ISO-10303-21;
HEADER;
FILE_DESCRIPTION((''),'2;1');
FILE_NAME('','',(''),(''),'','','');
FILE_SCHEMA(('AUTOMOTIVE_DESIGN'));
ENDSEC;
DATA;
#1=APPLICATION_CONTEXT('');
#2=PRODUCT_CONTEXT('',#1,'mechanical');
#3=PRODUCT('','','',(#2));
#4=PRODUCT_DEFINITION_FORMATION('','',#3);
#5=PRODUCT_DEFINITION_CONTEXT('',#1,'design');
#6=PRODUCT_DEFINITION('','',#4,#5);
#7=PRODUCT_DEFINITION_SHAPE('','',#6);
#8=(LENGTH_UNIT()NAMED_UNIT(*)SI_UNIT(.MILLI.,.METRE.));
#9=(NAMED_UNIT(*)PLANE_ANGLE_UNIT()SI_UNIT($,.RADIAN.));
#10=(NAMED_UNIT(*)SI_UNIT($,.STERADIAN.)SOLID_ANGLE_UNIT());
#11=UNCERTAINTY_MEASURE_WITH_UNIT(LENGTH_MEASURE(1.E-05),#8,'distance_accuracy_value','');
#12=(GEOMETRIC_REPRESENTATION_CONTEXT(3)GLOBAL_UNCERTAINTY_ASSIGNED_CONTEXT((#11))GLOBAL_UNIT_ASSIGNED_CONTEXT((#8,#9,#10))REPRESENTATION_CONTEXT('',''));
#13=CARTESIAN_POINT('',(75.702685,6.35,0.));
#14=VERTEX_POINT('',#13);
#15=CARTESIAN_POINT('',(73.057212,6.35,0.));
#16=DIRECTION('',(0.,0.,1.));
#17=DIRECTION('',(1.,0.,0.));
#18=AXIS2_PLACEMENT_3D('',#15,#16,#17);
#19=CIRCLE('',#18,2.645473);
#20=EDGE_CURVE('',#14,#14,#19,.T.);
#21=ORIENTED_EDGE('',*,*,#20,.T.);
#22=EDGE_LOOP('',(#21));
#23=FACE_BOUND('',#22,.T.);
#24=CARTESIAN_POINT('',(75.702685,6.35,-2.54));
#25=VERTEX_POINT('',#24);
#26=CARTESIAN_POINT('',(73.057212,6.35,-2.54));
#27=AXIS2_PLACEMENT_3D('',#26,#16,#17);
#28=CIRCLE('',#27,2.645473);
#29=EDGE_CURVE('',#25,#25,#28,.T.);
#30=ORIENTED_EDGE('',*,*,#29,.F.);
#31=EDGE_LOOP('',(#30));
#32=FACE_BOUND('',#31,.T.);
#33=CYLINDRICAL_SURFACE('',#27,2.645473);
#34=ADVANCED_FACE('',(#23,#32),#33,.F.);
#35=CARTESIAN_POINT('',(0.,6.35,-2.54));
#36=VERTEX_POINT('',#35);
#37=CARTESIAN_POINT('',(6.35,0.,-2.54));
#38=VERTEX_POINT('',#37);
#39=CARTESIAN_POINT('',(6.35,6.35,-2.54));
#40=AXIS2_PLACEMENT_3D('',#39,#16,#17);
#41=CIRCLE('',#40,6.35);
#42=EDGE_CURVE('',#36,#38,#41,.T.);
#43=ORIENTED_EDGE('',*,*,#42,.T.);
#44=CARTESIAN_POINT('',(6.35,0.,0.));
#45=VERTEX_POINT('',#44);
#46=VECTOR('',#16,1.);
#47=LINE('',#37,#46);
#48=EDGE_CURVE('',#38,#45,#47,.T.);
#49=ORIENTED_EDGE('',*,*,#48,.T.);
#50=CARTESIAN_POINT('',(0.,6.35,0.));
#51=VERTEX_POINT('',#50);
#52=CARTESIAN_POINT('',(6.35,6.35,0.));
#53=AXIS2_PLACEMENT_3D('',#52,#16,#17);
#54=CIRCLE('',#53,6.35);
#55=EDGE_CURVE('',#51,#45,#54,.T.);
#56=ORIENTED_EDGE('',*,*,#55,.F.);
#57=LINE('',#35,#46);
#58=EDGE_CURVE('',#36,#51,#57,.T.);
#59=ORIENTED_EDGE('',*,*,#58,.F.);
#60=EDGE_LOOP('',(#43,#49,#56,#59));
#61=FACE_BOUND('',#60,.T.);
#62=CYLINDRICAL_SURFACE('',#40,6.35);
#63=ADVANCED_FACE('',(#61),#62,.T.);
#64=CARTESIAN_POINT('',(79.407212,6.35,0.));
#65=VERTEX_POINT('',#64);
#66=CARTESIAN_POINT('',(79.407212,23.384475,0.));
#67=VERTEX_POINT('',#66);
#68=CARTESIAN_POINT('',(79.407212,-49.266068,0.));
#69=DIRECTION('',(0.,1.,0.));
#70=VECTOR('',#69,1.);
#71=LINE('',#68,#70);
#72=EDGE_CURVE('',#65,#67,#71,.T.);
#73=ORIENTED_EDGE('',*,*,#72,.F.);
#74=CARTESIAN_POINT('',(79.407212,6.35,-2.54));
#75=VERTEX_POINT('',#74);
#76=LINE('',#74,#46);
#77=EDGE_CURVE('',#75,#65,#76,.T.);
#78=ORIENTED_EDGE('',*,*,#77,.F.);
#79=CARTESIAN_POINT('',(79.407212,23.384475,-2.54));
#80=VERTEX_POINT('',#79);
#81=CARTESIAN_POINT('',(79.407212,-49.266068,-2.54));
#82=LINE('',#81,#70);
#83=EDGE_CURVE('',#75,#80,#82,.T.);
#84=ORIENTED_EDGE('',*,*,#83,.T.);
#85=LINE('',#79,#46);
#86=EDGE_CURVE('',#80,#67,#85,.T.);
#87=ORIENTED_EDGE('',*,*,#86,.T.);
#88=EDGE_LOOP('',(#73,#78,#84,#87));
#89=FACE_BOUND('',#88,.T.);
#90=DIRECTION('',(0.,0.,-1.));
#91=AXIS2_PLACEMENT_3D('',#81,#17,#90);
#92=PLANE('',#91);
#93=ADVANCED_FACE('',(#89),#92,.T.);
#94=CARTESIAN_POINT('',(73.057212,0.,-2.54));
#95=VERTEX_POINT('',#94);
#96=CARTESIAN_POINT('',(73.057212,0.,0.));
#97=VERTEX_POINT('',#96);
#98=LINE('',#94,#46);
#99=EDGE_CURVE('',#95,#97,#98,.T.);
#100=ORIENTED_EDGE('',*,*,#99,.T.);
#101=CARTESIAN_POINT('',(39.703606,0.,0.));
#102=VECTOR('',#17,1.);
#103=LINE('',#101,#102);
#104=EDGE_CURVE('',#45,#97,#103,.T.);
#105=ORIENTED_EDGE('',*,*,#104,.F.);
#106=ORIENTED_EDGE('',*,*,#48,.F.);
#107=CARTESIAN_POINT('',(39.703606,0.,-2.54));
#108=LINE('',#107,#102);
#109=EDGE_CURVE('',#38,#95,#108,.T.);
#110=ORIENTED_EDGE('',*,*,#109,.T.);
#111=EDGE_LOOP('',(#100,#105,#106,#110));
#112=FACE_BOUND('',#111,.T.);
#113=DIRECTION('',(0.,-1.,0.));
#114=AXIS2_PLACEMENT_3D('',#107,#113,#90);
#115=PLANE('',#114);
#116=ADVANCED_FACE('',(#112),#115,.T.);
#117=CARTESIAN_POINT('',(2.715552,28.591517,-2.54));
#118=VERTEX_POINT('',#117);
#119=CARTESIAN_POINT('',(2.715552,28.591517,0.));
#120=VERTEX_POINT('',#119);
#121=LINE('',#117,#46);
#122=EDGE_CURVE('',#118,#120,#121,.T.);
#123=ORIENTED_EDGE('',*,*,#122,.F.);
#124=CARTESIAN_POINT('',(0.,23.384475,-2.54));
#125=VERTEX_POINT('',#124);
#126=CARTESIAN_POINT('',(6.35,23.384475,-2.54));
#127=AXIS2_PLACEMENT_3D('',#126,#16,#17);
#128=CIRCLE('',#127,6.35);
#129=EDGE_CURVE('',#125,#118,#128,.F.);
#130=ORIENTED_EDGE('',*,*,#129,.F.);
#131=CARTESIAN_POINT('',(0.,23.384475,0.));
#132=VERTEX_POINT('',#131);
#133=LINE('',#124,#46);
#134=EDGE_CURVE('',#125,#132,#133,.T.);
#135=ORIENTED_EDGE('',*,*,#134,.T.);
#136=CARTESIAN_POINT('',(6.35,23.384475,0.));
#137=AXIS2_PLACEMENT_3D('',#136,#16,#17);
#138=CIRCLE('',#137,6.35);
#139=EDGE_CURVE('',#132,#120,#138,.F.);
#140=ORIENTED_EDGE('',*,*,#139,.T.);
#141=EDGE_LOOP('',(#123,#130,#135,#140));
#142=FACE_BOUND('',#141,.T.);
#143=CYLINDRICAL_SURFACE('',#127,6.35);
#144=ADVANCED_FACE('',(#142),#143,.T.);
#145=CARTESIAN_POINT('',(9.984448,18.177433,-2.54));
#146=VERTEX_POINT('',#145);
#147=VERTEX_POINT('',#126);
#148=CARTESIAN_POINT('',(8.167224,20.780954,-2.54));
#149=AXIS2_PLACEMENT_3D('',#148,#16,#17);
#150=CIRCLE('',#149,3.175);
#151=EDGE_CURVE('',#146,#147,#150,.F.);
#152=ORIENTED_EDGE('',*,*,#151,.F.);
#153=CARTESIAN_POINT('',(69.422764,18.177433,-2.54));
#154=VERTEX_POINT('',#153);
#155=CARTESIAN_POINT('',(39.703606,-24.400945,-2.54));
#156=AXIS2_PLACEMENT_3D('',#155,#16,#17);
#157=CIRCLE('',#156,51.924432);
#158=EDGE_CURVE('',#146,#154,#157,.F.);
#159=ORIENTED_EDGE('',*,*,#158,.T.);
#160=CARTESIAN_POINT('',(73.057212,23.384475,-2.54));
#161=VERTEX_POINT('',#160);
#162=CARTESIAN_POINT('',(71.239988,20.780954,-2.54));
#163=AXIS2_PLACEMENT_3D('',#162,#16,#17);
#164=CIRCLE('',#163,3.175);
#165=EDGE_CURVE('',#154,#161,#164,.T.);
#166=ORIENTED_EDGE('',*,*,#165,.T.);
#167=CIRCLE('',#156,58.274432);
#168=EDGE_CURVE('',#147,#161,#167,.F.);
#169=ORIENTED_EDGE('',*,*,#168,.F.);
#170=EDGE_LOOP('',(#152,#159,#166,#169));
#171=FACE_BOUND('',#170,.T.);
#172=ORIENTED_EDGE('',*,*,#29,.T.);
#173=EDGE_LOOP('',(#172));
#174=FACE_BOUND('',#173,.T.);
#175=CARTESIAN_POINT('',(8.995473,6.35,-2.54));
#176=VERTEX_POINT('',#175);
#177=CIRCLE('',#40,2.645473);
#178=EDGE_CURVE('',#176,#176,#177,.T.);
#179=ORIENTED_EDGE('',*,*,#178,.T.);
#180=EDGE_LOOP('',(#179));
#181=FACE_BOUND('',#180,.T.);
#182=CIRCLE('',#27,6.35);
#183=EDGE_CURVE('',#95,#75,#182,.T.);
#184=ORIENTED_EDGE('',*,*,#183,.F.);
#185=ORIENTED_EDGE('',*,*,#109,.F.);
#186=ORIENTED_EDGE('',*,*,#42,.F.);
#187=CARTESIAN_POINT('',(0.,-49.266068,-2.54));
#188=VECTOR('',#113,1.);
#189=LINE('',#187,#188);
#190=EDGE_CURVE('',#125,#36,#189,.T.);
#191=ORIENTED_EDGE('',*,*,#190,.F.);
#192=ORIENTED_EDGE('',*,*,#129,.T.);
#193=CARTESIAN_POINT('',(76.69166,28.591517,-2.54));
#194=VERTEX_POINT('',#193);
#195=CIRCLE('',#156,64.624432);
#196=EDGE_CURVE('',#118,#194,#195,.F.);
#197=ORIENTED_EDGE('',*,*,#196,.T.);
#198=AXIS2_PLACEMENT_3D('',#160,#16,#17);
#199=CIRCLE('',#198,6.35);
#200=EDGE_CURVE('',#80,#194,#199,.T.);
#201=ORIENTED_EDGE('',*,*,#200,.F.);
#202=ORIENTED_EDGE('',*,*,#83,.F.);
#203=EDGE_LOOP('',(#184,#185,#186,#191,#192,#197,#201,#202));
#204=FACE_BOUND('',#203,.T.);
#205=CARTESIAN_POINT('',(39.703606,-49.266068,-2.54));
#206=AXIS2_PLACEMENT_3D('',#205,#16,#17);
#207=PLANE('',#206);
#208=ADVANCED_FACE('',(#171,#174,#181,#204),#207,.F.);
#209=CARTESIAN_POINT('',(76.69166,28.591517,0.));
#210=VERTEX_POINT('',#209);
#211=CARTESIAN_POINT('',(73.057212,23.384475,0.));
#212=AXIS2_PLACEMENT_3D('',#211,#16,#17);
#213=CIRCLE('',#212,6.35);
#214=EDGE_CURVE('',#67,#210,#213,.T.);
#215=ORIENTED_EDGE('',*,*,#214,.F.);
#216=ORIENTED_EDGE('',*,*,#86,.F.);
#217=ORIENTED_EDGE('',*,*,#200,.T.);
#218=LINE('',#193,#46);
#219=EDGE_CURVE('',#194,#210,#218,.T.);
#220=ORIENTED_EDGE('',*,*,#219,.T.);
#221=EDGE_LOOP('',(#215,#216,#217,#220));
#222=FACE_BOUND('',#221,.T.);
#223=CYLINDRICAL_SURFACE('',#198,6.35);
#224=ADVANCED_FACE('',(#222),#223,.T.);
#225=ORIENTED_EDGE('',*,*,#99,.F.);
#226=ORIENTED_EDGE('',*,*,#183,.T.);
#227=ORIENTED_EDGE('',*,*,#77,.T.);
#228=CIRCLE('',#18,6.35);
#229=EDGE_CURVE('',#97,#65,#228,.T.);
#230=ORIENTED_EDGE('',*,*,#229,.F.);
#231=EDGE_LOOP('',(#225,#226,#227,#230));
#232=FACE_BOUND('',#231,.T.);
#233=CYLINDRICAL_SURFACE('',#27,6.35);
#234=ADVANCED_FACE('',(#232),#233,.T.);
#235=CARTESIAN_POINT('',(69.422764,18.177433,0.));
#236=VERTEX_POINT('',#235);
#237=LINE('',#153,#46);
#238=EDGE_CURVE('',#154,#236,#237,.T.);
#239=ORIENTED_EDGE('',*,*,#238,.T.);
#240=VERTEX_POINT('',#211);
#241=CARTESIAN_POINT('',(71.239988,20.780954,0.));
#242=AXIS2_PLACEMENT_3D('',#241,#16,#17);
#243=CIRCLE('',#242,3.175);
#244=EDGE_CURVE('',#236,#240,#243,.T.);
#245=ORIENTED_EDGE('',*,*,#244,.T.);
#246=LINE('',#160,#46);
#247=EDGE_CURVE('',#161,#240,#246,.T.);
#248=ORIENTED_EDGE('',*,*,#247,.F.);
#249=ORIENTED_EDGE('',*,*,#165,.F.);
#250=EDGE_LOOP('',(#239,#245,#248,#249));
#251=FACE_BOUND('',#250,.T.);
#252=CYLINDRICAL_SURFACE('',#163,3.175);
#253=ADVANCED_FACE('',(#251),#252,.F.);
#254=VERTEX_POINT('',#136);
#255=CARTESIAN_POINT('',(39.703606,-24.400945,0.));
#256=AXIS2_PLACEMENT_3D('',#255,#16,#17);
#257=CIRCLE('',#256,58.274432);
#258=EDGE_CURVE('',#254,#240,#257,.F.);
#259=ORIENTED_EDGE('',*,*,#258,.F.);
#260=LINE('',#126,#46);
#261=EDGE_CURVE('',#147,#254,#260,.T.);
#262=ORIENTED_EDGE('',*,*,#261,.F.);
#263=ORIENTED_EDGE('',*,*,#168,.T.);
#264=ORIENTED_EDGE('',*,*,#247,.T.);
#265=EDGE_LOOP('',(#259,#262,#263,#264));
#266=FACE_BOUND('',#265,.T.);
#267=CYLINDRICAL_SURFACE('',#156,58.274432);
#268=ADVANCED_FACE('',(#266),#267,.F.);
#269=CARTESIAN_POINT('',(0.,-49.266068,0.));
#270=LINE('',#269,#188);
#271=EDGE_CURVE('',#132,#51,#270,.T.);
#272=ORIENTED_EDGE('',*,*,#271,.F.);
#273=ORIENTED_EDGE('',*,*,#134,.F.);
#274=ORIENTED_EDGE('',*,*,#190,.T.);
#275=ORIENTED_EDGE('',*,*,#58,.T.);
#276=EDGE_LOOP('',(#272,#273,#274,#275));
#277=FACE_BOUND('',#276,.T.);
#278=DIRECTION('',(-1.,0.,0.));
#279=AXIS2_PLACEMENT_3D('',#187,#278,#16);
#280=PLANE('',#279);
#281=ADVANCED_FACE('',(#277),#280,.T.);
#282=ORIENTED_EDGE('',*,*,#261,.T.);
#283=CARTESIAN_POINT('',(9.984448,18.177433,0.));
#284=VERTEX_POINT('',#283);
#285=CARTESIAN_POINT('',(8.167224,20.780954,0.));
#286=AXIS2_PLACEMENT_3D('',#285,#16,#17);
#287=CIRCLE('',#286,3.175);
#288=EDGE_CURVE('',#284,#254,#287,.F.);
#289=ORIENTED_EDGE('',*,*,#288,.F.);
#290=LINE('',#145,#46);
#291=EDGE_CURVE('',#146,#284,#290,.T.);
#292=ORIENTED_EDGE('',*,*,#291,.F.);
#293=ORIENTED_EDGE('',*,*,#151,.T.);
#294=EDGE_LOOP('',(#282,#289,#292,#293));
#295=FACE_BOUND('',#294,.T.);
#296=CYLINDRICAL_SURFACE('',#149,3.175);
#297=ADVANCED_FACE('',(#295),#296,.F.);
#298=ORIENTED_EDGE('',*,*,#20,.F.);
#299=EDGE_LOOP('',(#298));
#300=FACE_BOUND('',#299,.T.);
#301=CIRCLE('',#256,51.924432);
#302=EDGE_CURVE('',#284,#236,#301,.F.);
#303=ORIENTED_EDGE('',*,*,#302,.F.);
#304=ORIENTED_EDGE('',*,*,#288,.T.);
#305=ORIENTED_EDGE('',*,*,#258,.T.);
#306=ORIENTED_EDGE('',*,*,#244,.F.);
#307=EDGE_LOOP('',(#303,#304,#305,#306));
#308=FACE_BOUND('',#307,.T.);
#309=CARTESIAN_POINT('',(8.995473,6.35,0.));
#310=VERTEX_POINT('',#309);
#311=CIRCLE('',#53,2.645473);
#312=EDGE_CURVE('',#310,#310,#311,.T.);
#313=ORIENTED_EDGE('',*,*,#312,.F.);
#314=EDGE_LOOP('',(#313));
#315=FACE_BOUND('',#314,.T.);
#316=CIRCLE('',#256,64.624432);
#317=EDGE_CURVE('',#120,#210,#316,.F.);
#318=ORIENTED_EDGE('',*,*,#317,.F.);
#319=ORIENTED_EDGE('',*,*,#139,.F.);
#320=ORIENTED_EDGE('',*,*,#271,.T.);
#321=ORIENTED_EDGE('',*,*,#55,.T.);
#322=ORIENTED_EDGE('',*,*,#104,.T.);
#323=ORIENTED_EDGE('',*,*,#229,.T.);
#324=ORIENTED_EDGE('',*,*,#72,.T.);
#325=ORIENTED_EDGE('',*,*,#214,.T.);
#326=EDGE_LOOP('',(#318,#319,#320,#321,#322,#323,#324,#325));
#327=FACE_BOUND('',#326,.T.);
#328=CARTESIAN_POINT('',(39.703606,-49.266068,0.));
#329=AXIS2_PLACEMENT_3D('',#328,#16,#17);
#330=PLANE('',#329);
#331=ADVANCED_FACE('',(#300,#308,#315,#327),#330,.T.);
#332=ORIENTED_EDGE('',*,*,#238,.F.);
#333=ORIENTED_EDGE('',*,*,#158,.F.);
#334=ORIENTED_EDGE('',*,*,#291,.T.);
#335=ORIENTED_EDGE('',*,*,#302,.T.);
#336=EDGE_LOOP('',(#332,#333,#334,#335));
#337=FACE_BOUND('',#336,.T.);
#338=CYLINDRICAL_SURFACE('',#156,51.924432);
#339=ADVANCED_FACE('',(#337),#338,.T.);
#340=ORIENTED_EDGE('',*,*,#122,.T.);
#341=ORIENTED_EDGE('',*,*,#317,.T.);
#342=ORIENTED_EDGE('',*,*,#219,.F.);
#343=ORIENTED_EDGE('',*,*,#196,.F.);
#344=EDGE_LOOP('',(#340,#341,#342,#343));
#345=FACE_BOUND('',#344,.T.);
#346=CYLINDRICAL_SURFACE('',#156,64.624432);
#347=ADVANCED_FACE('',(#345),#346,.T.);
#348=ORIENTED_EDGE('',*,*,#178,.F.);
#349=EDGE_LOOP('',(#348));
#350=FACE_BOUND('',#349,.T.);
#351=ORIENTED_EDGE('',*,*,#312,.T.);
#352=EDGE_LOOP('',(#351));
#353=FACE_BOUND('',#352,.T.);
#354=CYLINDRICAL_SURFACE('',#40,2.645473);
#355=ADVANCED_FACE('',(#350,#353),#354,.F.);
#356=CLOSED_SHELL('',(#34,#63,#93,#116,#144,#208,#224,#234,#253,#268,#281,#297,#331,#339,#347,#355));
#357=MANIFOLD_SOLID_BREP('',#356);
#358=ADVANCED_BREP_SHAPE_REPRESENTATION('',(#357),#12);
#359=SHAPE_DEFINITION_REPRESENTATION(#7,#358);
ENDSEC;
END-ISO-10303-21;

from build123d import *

# Parameters (mm, degrees)
SKETCH1_R           = 2.645472677
BOSS_EXTRUDE1_DEPTH = 2.54


with BuildPart() as part:
    # Sketch1 → Boss-Extrude1 (new body)
    # profile 1 of 2: a face of its own
    with BuildSketch(Plane.XY):
        with BuildLine():
            ThreePointArc((2.715551876, 28.591516871), (0.719669389, 26.320778151), (0, 23.384474828))
            Line((0, 23.384474828), (0, 6.35))
            ThreePointArc((0, 6.35), (1.859871939, 1.859871939), (6.35, 0))
            Line((6.35, 0), (39.703606091, 0))
            Line((39.703606091, 0), (39.703606091, 27.523486691))
            ThreePointArc((39.703606091, 27.523486691), (24.126563096, 25.131896001), (9.984448124, 18.177432785))
            ThreePointArc((9.984448124, 18.177432785), (5.563703041, 18.963729745), (6.35, 23.384474828))
            ThreePointArc((6.35, 23.384474828), (22.221598132, 31.189420948), (39.703606091, 33.873486691))
            Line((39.703606091, 33.873486691), (39.703606091, 40.223486691))
            ThreePointArc((39.703606091, 40.223486691), (20.316633168, 37.246945895), (2.715551876, 28.591516871))
        make_face()
        with Locations((6.35, 6.35)):
            Circle(SKETCH1_R, mode=Mode.SUBTRACT)
    # profile 2 of 2: a face of its own
    with BuildSketch(Plane.XY):
        with BuildLine():
            ThreePointArc((76.691660306, 28.591516871), (59.090579014, 37.246945895), (39.703606091, 40.223486691))
            Line((39.703606091, 40.223486691), (39.703606091, 33.873486691))
            ThreePointArc((39.703606091, 33.873486691), (57.18561405, 31.189420948), (73.057212182, 23.384474828))
            ThreePointArc((73.057212182, 23.384474828), (73.843509142, 18.963729745), (69.422764059, 18.177432785))
            ThreePointArc((69.422764059, 18.177432785), (55.280649086, 25.131896001), (39.703606091, 27.523486691))
            Line((39.703606091, 27.523486691), (39.703606091, 0))
            Line((39.703606091, 0), (73.057212182, 0))
            ThreePointArc((73.057212182, 0), (77.547340243, 1.859871939), (79.407212182, 6.35))
            Line((79.407212182, 6.35), (79.407212182, 23.384474828))
            ThreePointArc((79.407212182, 23.384474828), (78.687542794, 26.320778151), (76.691660306, 28.591516871))
        make_face()
        with Locations((73.057212182, 6.35)):
            Circle(SKETCH1_R, mode=Mode.SUBTRACT)
    extrude(amount=-BOSS_EXTRUDE1_DEPTH)


solid = part.part
